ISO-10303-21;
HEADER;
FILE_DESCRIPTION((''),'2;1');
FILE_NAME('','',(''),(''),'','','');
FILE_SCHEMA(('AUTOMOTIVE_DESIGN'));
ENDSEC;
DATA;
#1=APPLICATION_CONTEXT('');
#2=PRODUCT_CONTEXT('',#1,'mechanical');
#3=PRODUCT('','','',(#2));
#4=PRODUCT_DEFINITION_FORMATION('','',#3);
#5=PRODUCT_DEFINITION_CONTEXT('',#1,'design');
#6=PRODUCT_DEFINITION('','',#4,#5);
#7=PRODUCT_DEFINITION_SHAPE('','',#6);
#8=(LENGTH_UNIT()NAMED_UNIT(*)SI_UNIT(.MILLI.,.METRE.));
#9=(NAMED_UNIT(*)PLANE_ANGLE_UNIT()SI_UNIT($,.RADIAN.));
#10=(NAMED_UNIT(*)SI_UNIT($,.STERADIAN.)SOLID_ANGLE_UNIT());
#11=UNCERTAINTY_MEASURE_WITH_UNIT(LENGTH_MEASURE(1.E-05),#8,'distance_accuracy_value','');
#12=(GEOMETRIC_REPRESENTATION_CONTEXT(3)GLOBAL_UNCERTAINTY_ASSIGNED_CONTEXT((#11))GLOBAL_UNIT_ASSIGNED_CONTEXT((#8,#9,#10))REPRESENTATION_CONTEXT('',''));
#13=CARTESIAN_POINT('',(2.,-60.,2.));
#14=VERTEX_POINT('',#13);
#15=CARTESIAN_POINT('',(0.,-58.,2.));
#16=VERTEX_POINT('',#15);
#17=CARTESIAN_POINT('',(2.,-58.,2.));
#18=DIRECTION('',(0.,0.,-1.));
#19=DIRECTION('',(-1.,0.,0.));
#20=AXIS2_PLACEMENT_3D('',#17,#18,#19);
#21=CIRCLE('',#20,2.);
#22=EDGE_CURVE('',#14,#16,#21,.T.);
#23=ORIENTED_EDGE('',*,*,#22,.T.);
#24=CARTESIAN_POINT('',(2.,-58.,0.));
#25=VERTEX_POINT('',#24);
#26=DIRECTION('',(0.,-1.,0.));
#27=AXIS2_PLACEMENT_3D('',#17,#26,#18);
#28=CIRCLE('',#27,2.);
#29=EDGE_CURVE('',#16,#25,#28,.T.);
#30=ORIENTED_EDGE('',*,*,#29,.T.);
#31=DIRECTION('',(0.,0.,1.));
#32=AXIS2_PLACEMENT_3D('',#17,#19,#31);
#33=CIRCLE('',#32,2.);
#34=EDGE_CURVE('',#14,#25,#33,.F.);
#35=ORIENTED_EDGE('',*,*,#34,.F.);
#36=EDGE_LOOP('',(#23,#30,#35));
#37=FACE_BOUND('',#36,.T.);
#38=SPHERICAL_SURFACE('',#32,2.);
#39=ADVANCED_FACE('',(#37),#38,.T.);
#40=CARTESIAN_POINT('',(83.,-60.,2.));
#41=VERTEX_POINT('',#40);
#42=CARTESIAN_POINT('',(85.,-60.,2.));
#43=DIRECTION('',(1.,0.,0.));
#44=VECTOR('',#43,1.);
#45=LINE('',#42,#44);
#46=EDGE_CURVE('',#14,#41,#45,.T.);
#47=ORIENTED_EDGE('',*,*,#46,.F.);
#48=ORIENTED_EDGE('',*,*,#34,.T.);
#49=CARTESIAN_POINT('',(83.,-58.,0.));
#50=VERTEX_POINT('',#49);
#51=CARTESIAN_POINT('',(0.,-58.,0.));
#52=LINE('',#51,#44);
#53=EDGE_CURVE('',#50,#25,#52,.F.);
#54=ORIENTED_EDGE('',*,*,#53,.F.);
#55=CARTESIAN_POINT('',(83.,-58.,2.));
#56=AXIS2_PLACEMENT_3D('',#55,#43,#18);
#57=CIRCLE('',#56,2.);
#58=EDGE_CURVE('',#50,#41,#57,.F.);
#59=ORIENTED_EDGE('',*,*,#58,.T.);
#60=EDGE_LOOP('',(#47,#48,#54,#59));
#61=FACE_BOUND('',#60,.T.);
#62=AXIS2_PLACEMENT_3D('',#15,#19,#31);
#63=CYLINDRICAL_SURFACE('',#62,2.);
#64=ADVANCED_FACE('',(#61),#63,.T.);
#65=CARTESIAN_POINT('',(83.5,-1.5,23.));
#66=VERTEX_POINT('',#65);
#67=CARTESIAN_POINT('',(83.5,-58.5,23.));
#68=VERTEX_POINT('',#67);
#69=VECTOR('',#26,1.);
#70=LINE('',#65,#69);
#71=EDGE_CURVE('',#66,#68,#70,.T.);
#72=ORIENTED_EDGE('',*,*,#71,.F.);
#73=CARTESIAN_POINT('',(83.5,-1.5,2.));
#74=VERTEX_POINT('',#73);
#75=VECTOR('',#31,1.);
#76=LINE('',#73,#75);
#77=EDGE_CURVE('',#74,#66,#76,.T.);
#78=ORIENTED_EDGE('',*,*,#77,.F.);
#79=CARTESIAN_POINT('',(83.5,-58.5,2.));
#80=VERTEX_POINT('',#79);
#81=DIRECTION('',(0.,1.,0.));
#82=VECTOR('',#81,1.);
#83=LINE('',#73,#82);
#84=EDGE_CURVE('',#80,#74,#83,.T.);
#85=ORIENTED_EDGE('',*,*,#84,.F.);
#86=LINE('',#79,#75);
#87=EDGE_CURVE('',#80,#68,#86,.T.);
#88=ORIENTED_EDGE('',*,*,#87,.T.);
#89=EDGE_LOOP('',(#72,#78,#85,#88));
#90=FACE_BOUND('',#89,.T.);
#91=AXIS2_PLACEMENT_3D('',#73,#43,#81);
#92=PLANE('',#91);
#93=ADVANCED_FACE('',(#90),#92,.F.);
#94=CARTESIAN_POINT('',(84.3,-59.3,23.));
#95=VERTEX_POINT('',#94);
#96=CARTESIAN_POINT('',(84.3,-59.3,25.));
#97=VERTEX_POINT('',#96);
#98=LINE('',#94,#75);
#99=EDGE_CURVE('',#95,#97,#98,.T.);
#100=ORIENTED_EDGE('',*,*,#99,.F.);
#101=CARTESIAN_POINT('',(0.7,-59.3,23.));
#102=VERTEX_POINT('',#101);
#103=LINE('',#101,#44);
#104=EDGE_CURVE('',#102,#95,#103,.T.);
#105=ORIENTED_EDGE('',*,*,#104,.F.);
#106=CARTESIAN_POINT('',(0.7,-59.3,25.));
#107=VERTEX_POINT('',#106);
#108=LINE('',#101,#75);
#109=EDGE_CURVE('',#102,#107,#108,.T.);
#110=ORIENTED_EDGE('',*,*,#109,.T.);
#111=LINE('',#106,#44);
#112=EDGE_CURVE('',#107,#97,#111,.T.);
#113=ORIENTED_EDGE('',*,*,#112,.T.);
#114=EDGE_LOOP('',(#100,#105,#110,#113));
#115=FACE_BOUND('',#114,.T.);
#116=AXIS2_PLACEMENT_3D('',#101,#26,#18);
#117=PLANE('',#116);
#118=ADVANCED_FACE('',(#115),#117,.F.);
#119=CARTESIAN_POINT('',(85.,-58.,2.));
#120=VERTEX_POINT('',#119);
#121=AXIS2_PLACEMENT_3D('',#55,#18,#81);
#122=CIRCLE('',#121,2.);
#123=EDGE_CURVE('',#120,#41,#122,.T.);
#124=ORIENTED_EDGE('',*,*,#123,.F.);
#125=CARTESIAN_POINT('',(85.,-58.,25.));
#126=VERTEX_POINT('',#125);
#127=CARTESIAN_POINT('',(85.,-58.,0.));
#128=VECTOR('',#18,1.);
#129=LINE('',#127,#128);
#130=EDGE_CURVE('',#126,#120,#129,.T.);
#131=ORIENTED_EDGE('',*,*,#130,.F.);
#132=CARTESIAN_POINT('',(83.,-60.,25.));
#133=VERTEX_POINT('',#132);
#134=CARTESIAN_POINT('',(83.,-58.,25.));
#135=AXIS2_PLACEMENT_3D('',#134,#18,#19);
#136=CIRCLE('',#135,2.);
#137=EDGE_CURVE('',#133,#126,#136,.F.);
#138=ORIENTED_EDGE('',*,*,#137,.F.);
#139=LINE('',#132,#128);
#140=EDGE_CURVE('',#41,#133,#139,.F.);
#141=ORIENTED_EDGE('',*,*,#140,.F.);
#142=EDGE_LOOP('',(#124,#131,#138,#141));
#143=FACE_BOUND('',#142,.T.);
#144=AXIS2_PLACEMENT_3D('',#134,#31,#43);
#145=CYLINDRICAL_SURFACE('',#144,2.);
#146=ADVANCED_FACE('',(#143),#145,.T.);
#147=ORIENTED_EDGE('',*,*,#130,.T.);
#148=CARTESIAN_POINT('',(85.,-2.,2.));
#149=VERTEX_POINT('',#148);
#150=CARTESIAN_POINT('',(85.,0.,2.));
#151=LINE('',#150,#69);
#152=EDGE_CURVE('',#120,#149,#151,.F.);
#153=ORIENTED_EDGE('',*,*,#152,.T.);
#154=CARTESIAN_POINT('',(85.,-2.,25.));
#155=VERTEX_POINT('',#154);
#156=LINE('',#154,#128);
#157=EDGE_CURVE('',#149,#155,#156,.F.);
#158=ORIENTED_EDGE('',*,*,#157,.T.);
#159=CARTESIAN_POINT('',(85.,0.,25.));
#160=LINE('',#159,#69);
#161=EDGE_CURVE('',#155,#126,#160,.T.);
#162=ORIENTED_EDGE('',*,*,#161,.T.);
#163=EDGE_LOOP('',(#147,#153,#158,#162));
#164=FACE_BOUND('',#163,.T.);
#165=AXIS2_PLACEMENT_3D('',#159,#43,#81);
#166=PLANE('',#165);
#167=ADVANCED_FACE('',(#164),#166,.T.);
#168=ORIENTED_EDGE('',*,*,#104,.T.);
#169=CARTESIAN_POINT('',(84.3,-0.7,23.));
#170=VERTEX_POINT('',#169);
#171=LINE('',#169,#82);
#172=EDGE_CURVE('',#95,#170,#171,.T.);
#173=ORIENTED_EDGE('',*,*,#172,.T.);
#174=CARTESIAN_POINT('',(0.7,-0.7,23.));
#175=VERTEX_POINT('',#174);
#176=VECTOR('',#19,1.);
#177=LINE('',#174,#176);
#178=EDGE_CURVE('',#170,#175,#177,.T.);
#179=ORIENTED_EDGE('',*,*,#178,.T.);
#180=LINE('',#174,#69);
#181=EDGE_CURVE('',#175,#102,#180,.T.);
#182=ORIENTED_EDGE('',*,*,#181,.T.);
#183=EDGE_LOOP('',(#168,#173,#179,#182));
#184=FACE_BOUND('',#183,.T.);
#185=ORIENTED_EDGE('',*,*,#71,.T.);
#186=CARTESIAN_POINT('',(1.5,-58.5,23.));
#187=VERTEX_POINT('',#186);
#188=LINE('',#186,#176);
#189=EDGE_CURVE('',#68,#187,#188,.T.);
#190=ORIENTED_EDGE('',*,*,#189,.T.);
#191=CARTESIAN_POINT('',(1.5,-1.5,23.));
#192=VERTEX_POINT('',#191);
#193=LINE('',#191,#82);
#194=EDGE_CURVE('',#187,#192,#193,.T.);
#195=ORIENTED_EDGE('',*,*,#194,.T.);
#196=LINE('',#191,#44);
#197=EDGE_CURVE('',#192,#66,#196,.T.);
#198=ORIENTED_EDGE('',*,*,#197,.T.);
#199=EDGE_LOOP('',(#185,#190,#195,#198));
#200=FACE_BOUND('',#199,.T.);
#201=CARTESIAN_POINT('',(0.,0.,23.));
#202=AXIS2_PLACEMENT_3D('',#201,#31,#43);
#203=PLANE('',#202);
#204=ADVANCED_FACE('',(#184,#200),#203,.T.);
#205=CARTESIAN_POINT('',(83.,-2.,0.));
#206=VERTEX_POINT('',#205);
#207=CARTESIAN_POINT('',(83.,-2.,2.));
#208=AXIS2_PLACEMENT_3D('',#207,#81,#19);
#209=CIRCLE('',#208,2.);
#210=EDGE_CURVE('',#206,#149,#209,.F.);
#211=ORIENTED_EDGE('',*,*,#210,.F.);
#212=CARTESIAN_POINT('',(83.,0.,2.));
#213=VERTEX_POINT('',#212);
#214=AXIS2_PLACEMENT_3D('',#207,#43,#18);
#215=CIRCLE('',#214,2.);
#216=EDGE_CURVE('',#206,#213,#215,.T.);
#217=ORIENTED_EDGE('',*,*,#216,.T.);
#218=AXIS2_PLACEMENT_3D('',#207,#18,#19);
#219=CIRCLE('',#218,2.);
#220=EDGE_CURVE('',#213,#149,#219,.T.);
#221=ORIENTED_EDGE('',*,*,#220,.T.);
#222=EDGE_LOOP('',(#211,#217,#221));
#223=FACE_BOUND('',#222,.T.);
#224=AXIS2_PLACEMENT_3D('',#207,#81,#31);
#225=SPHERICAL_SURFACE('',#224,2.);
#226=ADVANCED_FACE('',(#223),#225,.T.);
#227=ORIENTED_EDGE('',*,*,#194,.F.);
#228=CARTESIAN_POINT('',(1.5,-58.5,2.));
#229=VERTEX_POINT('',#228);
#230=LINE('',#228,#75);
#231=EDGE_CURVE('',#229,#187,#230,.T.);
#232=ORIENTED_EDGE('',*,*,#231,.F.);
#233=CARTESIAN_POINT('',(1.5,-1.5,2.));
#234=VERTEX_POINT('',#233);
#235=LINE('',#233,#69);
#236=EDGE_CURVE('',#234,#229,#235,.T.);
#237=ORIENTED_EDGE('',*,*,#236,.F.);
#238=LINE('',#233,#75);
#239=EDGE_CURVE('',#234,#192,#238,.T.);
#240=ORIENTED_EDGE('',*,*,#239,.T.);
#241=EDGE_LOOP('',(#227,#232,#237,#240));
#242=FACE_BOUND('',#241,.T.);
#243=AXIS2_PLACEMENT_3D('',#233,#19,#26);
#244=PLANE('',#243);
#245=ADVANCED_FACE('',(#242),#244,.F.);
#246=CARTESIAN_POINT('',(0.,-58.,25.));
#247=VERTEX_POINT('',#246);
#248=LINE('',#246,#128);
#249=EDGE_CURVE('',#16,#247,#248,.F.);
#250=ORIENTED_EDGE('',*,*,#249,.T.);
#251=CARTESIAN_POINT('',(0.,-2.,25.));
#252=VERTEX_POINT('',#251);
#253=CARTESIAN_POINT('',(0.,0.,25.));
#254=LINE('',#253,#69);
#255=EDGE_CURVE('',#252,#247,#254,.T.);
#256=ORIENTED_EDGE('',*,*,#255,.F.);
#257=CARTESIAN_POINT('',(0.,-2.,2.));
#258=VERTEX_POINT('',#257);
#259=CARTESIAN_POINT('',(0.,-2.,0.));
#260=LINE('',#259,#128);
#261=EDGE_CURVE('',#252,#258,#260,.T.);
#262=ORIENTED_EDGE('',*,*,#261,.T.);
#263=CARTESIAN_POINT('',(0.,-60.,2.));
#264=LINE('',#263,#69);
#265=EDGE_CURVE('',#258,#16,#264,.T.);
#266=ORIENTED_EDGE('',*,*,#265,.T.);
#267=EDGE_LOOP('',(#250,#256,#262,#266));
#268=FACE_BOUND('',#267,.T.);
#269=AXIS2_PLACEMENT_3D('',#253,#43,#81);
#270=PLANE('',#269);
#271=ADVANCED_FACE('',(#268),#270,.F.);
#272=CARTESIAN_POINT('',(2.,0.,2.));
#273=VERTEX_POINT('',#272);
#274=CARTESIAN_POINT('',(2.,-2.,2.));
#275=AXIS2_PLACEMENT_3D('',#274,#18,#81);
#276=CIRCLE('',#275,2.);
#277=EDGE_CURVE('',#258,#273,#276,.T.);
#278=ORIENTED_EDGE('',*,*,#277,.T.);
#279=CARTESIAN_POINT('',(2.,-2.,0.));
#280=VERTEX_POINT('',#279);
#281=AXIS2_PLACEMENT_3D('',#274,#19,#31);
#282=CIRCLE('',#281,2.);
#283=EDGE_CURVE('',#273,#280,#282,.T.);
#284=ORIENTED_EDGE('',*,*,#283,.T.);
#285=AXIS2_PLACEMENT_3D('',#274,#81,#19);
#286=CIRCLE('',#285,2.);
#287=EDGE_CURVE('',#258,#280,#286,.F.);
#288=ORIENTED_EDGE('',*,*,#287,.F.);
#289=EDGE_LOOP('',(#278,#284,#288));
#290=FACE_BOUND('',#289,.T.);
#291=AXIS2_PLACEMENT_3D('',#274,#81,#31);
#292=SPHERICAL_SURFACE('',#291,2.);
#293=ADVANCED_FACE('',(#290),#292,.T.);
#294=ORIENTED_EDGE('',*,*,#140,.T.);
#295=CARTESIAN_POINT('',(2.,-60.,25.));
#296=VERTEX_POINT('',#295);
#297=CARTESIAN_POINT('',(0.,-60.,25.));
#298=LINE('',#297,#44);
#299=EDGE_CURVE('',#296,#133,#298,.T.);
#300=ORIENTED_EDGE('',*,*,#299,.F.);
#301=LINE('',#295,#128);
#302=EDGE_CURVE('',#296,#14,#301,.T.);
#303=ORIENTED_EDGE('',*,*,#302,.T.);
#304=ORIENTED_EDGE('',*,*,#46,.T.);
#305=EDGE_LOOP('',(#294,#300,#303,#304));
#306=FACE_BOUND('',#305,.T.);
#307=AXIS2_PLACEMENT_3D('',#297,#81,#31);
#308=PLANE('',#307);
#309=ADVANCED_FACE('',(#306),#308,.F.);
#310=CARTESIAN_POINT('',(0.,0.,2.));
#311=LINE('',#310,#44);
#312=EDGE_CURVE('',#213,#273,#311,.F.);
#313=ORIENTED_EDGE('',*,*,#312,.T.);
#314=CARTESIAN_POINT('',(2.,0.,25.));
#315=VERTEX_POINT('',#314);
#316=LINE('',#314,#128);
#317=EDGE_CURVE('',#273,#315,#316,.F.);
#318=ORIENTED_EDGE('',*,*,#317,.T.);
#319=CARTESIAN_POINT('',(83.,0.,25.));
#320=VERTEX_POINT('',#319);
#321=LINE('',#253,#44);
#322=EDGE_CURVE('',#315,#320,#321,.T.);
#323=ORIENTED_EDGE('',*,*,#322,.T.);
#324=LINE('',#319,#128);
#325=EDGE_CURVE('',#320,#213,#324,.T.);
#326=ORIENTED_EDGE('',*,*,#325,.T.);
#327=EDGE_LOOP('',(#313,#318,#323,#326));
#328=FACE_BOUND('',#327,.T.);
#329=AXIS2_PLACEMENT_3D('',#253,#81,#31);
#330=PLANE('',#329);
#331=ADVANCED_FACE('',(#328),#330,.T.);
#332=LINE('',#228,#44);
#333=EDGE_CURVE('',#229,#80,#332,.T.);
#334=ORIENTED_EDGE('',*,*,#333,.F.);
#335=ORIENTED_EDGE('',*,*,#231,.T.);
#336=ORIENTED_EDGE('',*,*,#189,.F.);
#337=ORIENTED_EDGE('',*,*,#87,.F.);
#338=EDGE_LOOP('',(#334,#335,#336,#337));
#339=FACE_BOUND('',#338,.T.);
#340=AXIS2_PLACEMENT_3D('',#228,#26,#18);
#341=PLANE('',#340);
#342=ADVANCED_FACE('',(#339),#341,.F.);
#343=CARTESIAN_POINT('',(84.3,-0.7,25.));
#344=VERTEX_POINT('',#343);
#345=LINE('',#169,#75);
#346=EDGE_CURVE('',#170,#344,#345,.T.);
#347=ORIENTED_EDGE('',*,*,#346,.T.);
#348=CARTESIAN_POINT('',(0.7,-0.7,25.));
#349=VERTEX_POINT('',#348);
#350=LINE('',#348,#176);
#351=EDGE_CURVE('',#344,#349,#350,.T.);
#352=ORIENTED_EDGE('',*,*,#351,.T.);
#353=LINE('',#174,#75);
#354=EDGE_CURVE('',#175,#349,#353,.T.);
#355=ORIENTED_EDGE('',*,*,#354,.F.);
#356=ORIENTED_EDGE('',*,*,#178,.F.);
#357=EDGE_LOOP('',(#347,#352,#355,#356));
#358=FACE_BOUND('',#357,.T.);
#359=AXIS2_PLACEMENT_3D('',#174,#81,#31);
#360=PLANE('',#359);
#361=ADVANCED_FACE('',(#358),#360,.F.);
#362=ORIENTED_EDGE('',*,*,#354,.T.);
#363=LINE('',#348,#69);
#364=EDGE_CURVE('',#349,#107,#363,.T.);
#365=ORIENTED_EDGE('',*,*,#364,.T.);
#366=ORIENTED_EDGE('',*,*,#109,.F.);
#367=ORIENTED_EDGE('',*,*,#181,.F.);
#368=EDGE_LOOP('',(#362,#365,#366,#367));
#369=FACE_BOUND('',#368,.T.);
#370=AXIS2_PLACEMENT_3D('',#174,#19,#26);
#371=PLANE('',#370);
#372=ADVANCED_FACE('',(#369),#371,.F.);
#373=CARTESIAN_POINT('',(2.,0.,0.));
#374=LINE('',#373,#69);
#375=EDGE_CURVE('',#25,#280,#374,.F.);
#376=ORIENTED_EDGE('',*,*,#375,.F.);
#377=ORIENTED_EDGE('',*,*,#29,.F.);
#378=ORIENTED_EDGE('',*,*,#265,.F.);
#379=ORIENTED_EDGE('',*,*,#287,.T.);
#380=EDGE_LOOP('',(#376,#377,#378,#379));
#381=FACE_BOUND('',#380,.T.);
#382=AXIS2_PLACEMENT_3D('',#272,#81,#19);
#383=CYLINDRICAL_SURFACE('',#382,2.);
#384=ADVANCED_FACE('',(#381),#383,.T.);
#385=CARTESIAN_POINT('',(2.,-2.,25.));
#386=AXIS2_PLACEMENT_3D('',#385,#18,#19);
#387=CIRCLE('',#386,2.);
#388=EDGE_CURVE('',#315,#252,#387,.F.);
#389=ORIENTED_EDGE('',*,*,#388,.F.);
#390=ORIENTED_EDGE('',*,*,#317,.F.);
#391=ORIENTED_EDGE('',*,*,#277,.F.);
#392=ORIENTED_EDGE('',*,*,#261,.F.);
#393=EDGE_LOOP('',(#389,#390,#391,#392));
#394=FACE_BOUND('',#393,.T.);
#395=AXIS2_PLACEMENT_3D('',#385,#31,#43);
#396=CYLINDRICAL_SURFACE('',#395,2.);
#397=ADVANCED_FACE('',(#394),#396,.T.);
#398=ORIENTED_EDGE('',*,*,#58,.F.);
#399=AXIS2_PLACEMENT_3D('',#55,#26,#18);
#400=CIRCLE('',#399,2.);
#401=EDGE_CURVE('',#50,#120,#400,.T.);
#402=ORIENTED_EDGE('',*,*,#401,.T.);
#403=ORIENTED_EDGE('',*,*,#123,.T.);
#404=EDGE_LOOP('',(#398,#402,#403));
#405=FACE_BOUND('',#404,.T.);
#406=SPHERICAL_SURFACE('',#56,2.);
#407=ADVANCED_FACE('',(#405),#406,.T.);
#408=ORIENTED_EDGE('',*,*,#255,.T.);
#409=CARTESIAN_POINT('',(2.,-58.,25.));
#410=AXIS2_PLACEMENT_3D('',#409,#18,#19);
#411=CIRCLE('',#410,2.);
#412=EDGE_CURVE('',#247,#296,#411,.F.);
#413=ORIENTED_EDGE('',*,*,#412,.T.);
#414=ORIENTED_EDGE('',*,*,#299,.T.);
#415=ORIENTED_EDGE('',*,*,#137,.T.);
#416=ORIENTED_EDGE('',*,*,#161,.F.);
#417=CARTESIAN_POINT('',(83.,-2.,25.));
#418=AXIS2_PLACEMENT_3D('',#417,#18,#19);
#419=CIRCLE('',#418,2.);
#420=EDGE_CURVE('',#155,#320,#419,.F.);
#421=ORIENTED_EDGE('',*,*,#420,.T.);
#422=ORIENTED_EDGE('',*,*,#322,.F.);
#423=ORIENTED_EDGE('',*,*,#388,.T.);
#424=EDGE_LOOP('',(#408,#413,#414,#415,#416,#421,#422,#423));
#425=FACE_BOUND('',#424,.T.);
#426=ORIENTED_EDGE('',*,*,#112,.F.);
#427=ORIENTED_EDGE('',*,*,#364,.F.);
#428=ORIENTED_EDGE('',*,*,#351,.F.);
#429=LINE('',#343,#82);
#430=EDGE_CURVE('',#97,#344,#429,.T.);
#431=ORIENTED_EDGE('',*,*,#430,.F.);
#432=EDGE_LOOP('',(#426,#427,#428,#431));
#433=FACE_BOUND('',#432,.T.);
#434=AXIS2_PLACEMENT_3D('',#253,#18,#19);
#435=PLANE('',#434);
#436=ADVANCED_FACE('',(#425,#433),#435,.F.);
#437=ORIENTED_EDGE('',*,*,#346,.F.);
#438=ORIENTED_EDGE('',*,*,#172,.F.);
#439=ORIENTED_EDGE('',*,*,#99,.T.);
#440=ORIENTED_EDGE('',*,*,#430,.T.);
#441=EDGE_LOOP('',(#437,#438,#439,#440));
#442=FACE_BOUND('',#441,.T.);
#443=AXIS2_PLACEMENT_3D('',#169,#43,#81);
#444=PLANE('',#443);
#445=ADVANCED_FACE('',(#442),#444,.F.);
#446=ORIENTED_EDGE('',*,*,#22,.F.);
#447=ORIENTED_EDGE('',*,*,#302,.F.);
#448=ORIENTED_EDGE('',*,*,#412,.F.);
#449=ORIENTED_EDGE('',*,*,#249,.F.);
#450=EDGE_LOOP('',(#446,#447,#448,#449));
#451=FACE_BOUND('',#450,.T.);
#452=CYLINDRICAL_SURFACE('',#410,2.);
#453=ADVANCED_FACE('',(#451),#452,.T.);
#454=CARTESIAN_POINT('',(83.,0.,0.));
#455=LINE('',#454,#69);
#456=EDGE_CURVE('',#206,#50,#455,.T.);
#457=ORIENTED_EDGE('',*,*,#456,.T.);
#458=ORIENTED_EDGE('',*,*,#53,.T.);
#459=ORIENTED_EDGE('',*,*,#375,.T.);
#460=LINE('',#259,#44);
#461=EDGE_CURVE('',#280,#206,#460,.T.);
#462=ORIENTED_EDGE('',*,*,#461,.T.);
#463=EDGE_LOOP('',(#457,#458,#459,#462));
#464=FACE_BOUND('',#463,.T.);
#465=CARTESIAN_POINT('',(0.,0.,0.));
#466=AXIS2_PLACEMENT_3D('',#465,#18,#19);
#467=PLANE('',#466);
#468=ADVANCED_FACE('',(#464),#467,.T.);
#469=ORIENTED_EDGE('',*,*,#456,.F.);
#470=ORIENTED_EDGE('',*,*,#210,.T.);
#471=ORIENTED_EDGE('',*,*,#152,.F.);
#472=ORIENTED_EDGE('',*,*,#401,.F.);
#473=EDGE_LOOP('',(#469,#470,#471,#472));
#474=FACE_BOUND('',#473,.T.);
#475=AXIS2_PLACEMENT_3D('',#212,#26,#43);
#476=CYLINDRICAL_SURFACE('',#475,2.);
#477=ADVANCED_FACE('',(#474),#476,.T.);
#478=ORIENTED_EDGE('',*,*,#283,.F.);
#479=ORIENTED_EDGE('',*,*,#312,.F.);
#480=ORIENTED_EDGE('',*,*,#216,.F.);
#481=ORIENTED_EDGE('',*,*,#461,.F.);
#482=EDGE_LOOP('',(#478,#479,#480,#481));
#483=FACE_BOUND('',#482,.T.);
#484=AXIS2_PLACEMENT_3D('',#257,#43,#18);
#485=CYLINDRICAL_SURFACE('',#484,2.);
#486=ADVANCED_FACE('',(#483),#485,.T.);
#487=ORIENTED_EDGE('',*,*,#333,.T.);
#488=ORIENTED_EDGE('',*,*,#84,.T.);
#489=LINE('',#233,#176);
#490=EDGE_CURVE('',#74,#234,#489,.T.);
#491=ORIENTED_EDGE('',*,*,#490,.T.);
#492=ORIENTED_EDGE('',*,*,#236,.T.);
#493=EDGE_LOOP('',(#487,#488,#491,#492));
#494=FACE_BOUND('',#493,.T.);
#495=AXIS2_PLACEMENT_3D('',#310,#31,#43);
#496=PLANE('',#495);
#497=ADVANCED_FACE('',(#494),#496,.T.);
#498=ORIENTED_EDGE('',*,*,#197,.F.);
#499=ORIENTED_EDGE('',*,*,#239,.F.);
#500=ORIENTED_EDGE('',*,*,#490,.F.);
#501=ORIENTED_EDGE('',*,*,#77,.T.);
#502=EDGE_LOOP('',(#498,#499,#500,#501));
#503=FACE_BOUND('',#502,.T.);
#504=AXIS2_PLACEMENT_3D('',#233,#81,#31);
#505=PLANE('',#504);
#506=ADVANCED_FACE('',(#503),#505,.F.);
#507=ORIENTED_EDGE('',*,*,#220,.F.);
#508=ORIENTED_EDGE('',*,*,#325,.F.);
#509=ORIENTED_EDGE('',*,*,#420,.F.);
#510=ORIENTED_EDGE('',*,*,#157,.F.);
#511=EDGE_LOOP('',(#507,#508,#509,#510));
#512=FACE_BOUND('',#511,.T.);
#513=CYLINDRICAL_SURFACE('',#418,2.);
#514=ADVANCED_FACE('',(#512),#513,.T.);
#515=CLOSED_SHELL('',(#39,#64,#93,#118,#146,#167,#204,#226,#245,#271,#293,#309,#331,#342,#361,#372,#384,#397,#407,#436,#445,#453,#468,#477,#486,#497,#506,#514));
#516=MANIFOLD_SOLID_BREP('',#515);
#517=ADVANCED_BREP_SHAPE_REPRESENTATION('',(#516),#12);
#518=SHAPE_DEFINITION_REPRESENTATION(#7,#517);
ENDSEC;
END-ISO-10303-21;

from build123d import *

# Parameters (mm, degrees)
SKETCH_1_W          = 85
SKETCH_1_H          = 60
EXTRUDE_1_DEPTH     = 25
SKETCH_2_W          = 82
SKETCH_2_H          = 57
CUT_EXTRUDE_1_DEPTH = 23
SKETCH_3_W          = 83.6
SKETCH_3_H          = 58.6
CUT_EXTRUDE_2_DEPTH = 2
FILLET_1_R          = 2


with BuildPart() as part:
    # 草图1 → 凸台-拉伸1 (new body)
    with BuildSketch(Plane.XY):
        with Locations((42.5, -30)):
            Rectangle(SKETCH_1_W, SKETCH_1_H)
    extrude(amount=EXTRUDE_1_DEPTH)

    # 草图2 → 切除-拉伸1 (cut)
    with BuildSketch(Plane.XY.offset(25)):
        with Locations((42.5, -30)):
            Rectangle(SKETCH_2_W, SKETCH_2_H)
    extrude(amount=-CUT_EXTRUDE_1_DEPTH, mode=Mode.SUBTRACT)

    # 草图3 → 切除-拉伸2 (cut)
    with BuildSketch(Plane.XY.offset(25)):
        with Locations((42.5, -30)):
            Rectangle(SKETCH_3_W, SKETCH_3_H)
    extrude(amount=-CUT_EXTRUDE_2_DEPTH, mode=Mode.SUBTRACT)

    # 圆角1
    fillet_1_edges = [part.edges().sort_by_distance(p)[0] for p in [
        (0, -30, 0),
        (42.5, -60, 0),
        (85, -30, 0),
        (42.5, 0, 0),
        (0, 0, 12.5),
        (0, -60, 12.5),
        (85, -60, 12.5),
        (85, 0, 12.5),
    ]]
    fillet(fillet_1_edges, radius=FILLET_1_R)


solid = part.part
